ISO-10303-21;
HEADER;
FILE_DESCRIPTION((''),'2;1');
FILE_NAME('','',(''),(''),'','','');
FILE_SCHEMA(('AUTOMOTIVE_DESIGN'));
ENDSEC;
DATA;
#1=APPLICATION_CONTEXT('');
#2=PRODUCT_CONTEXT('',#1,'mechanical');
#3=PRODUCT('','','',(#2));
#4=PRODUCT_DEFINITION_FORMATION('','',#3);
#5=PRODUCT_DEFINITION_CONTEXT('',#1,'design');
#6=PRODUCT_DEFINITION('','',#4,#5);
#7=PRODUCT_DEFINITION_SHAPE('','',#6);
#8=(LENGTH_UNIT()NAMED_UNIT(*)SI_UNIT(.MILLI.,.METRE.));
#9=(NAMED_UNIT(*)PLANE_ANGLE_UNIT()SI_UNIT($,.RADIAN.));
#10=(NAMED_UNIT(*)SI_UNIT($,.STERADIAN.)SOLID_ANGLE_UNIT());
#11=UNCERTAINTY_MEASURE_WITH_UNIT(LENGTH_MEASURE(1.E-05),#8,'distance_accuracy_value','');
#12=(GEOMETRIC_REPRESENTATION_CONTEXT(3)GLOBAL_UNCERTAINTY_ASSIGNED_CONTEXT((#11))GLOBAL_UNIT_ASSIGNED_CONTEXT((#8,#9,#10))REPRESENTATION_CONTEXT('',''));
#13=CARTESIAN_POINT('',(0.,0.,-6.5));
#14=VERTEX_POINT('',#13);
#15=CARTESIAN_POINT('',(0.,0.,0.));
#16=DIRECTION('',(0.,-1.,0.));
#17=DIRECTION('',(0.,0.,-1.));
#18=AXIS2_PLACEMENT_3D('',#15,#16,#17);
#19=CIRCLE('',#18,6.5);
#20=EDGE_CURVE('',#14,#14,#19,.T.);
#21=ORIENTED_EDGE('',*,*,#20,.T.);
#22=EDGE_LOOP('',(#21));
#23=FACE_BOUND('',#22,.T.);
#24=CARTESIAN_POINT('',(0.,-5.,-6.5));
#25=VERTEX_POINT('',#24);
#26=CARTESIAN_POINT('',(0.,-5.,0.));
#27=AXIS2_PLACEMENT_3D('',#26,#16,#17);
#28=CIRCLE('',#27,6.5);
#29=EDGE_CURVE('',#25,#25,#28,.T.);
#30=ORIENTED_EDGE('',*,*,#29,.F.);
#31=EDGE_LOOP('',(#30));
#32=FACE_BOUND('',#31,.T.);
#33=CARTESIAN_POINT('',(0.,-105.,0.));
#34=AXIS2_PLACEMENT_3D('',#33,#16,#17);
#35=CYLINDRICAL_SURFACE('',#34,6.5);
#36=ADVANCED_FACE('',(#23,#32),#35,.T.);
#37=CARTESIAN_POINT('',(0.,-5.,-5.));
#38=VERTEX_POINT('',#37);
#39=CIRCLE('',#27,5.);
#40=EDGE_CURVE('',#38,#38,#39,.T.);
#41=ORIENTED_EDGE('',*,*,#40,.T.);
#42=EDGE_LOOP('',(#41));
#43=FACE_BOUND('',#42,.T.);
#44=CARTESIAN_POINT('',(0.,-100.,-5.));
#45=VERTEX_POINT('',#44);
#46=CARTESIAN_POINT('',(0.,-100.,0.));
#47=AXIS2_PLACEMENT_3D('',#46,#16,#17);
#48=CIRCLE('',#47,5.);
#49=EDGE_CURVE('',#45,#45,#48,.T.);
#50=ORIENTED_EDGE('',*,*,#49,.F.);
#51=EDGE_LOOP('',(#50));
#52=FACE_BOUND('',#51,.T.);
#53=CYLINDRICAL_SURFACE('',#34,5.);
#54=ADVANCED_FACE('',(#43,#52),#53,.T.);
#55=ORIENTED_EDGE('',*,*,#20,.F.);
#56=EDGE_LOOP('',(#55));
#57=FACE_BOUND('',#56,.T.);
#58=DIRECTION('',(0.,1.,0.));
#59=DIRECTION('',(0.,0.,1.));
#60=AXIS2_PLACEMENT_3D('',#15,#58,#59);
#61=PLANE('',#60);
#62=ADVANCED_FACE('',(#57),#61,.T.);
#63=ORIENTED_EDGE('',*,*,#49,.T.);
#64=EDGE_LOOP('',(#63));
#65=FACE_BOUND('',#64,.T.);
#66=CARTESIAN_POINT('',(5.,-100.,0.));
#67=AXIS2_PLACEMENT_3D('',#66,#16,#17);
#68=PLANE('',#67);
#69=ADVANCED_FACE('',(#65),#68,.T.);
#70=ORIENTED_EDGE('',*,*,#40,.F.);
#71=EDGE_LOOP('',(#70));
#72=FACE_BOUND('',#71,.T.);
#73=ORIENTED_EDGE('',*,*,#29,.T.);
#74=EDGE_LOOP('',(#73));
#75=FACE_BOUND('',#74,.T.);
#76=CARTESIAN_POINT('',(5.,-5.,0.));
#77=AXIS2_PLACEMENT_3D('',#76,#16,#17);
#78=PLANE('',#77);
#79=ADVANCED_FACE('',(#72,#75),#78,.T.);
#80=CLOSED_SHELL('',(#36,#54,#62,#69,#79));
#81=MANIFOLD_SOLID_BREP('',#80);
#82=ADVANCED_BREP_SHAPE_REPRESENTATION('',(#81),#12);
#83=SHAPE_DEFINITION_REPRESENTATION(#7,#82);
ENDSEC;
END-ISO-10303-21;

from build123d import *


with BuildPart() as part:
    # Sketch1 → Revolve1 (revolve)
    with BuildSketch(Plane.XY, mode=Mode.PRIVATE) as revolve1_sk:
        Polygon((0, 0), (6.5, 0), (6.5, -5), (5, -5), (5, -100), (0, -100), align=None)
    revolve(revolve1_sk.sketch.rotate(Axis((0, -105, 0), (0, 1, 0)), 90), axis=Axis((0, -105, 0), (0, 1, 0)))


solid = part.part
